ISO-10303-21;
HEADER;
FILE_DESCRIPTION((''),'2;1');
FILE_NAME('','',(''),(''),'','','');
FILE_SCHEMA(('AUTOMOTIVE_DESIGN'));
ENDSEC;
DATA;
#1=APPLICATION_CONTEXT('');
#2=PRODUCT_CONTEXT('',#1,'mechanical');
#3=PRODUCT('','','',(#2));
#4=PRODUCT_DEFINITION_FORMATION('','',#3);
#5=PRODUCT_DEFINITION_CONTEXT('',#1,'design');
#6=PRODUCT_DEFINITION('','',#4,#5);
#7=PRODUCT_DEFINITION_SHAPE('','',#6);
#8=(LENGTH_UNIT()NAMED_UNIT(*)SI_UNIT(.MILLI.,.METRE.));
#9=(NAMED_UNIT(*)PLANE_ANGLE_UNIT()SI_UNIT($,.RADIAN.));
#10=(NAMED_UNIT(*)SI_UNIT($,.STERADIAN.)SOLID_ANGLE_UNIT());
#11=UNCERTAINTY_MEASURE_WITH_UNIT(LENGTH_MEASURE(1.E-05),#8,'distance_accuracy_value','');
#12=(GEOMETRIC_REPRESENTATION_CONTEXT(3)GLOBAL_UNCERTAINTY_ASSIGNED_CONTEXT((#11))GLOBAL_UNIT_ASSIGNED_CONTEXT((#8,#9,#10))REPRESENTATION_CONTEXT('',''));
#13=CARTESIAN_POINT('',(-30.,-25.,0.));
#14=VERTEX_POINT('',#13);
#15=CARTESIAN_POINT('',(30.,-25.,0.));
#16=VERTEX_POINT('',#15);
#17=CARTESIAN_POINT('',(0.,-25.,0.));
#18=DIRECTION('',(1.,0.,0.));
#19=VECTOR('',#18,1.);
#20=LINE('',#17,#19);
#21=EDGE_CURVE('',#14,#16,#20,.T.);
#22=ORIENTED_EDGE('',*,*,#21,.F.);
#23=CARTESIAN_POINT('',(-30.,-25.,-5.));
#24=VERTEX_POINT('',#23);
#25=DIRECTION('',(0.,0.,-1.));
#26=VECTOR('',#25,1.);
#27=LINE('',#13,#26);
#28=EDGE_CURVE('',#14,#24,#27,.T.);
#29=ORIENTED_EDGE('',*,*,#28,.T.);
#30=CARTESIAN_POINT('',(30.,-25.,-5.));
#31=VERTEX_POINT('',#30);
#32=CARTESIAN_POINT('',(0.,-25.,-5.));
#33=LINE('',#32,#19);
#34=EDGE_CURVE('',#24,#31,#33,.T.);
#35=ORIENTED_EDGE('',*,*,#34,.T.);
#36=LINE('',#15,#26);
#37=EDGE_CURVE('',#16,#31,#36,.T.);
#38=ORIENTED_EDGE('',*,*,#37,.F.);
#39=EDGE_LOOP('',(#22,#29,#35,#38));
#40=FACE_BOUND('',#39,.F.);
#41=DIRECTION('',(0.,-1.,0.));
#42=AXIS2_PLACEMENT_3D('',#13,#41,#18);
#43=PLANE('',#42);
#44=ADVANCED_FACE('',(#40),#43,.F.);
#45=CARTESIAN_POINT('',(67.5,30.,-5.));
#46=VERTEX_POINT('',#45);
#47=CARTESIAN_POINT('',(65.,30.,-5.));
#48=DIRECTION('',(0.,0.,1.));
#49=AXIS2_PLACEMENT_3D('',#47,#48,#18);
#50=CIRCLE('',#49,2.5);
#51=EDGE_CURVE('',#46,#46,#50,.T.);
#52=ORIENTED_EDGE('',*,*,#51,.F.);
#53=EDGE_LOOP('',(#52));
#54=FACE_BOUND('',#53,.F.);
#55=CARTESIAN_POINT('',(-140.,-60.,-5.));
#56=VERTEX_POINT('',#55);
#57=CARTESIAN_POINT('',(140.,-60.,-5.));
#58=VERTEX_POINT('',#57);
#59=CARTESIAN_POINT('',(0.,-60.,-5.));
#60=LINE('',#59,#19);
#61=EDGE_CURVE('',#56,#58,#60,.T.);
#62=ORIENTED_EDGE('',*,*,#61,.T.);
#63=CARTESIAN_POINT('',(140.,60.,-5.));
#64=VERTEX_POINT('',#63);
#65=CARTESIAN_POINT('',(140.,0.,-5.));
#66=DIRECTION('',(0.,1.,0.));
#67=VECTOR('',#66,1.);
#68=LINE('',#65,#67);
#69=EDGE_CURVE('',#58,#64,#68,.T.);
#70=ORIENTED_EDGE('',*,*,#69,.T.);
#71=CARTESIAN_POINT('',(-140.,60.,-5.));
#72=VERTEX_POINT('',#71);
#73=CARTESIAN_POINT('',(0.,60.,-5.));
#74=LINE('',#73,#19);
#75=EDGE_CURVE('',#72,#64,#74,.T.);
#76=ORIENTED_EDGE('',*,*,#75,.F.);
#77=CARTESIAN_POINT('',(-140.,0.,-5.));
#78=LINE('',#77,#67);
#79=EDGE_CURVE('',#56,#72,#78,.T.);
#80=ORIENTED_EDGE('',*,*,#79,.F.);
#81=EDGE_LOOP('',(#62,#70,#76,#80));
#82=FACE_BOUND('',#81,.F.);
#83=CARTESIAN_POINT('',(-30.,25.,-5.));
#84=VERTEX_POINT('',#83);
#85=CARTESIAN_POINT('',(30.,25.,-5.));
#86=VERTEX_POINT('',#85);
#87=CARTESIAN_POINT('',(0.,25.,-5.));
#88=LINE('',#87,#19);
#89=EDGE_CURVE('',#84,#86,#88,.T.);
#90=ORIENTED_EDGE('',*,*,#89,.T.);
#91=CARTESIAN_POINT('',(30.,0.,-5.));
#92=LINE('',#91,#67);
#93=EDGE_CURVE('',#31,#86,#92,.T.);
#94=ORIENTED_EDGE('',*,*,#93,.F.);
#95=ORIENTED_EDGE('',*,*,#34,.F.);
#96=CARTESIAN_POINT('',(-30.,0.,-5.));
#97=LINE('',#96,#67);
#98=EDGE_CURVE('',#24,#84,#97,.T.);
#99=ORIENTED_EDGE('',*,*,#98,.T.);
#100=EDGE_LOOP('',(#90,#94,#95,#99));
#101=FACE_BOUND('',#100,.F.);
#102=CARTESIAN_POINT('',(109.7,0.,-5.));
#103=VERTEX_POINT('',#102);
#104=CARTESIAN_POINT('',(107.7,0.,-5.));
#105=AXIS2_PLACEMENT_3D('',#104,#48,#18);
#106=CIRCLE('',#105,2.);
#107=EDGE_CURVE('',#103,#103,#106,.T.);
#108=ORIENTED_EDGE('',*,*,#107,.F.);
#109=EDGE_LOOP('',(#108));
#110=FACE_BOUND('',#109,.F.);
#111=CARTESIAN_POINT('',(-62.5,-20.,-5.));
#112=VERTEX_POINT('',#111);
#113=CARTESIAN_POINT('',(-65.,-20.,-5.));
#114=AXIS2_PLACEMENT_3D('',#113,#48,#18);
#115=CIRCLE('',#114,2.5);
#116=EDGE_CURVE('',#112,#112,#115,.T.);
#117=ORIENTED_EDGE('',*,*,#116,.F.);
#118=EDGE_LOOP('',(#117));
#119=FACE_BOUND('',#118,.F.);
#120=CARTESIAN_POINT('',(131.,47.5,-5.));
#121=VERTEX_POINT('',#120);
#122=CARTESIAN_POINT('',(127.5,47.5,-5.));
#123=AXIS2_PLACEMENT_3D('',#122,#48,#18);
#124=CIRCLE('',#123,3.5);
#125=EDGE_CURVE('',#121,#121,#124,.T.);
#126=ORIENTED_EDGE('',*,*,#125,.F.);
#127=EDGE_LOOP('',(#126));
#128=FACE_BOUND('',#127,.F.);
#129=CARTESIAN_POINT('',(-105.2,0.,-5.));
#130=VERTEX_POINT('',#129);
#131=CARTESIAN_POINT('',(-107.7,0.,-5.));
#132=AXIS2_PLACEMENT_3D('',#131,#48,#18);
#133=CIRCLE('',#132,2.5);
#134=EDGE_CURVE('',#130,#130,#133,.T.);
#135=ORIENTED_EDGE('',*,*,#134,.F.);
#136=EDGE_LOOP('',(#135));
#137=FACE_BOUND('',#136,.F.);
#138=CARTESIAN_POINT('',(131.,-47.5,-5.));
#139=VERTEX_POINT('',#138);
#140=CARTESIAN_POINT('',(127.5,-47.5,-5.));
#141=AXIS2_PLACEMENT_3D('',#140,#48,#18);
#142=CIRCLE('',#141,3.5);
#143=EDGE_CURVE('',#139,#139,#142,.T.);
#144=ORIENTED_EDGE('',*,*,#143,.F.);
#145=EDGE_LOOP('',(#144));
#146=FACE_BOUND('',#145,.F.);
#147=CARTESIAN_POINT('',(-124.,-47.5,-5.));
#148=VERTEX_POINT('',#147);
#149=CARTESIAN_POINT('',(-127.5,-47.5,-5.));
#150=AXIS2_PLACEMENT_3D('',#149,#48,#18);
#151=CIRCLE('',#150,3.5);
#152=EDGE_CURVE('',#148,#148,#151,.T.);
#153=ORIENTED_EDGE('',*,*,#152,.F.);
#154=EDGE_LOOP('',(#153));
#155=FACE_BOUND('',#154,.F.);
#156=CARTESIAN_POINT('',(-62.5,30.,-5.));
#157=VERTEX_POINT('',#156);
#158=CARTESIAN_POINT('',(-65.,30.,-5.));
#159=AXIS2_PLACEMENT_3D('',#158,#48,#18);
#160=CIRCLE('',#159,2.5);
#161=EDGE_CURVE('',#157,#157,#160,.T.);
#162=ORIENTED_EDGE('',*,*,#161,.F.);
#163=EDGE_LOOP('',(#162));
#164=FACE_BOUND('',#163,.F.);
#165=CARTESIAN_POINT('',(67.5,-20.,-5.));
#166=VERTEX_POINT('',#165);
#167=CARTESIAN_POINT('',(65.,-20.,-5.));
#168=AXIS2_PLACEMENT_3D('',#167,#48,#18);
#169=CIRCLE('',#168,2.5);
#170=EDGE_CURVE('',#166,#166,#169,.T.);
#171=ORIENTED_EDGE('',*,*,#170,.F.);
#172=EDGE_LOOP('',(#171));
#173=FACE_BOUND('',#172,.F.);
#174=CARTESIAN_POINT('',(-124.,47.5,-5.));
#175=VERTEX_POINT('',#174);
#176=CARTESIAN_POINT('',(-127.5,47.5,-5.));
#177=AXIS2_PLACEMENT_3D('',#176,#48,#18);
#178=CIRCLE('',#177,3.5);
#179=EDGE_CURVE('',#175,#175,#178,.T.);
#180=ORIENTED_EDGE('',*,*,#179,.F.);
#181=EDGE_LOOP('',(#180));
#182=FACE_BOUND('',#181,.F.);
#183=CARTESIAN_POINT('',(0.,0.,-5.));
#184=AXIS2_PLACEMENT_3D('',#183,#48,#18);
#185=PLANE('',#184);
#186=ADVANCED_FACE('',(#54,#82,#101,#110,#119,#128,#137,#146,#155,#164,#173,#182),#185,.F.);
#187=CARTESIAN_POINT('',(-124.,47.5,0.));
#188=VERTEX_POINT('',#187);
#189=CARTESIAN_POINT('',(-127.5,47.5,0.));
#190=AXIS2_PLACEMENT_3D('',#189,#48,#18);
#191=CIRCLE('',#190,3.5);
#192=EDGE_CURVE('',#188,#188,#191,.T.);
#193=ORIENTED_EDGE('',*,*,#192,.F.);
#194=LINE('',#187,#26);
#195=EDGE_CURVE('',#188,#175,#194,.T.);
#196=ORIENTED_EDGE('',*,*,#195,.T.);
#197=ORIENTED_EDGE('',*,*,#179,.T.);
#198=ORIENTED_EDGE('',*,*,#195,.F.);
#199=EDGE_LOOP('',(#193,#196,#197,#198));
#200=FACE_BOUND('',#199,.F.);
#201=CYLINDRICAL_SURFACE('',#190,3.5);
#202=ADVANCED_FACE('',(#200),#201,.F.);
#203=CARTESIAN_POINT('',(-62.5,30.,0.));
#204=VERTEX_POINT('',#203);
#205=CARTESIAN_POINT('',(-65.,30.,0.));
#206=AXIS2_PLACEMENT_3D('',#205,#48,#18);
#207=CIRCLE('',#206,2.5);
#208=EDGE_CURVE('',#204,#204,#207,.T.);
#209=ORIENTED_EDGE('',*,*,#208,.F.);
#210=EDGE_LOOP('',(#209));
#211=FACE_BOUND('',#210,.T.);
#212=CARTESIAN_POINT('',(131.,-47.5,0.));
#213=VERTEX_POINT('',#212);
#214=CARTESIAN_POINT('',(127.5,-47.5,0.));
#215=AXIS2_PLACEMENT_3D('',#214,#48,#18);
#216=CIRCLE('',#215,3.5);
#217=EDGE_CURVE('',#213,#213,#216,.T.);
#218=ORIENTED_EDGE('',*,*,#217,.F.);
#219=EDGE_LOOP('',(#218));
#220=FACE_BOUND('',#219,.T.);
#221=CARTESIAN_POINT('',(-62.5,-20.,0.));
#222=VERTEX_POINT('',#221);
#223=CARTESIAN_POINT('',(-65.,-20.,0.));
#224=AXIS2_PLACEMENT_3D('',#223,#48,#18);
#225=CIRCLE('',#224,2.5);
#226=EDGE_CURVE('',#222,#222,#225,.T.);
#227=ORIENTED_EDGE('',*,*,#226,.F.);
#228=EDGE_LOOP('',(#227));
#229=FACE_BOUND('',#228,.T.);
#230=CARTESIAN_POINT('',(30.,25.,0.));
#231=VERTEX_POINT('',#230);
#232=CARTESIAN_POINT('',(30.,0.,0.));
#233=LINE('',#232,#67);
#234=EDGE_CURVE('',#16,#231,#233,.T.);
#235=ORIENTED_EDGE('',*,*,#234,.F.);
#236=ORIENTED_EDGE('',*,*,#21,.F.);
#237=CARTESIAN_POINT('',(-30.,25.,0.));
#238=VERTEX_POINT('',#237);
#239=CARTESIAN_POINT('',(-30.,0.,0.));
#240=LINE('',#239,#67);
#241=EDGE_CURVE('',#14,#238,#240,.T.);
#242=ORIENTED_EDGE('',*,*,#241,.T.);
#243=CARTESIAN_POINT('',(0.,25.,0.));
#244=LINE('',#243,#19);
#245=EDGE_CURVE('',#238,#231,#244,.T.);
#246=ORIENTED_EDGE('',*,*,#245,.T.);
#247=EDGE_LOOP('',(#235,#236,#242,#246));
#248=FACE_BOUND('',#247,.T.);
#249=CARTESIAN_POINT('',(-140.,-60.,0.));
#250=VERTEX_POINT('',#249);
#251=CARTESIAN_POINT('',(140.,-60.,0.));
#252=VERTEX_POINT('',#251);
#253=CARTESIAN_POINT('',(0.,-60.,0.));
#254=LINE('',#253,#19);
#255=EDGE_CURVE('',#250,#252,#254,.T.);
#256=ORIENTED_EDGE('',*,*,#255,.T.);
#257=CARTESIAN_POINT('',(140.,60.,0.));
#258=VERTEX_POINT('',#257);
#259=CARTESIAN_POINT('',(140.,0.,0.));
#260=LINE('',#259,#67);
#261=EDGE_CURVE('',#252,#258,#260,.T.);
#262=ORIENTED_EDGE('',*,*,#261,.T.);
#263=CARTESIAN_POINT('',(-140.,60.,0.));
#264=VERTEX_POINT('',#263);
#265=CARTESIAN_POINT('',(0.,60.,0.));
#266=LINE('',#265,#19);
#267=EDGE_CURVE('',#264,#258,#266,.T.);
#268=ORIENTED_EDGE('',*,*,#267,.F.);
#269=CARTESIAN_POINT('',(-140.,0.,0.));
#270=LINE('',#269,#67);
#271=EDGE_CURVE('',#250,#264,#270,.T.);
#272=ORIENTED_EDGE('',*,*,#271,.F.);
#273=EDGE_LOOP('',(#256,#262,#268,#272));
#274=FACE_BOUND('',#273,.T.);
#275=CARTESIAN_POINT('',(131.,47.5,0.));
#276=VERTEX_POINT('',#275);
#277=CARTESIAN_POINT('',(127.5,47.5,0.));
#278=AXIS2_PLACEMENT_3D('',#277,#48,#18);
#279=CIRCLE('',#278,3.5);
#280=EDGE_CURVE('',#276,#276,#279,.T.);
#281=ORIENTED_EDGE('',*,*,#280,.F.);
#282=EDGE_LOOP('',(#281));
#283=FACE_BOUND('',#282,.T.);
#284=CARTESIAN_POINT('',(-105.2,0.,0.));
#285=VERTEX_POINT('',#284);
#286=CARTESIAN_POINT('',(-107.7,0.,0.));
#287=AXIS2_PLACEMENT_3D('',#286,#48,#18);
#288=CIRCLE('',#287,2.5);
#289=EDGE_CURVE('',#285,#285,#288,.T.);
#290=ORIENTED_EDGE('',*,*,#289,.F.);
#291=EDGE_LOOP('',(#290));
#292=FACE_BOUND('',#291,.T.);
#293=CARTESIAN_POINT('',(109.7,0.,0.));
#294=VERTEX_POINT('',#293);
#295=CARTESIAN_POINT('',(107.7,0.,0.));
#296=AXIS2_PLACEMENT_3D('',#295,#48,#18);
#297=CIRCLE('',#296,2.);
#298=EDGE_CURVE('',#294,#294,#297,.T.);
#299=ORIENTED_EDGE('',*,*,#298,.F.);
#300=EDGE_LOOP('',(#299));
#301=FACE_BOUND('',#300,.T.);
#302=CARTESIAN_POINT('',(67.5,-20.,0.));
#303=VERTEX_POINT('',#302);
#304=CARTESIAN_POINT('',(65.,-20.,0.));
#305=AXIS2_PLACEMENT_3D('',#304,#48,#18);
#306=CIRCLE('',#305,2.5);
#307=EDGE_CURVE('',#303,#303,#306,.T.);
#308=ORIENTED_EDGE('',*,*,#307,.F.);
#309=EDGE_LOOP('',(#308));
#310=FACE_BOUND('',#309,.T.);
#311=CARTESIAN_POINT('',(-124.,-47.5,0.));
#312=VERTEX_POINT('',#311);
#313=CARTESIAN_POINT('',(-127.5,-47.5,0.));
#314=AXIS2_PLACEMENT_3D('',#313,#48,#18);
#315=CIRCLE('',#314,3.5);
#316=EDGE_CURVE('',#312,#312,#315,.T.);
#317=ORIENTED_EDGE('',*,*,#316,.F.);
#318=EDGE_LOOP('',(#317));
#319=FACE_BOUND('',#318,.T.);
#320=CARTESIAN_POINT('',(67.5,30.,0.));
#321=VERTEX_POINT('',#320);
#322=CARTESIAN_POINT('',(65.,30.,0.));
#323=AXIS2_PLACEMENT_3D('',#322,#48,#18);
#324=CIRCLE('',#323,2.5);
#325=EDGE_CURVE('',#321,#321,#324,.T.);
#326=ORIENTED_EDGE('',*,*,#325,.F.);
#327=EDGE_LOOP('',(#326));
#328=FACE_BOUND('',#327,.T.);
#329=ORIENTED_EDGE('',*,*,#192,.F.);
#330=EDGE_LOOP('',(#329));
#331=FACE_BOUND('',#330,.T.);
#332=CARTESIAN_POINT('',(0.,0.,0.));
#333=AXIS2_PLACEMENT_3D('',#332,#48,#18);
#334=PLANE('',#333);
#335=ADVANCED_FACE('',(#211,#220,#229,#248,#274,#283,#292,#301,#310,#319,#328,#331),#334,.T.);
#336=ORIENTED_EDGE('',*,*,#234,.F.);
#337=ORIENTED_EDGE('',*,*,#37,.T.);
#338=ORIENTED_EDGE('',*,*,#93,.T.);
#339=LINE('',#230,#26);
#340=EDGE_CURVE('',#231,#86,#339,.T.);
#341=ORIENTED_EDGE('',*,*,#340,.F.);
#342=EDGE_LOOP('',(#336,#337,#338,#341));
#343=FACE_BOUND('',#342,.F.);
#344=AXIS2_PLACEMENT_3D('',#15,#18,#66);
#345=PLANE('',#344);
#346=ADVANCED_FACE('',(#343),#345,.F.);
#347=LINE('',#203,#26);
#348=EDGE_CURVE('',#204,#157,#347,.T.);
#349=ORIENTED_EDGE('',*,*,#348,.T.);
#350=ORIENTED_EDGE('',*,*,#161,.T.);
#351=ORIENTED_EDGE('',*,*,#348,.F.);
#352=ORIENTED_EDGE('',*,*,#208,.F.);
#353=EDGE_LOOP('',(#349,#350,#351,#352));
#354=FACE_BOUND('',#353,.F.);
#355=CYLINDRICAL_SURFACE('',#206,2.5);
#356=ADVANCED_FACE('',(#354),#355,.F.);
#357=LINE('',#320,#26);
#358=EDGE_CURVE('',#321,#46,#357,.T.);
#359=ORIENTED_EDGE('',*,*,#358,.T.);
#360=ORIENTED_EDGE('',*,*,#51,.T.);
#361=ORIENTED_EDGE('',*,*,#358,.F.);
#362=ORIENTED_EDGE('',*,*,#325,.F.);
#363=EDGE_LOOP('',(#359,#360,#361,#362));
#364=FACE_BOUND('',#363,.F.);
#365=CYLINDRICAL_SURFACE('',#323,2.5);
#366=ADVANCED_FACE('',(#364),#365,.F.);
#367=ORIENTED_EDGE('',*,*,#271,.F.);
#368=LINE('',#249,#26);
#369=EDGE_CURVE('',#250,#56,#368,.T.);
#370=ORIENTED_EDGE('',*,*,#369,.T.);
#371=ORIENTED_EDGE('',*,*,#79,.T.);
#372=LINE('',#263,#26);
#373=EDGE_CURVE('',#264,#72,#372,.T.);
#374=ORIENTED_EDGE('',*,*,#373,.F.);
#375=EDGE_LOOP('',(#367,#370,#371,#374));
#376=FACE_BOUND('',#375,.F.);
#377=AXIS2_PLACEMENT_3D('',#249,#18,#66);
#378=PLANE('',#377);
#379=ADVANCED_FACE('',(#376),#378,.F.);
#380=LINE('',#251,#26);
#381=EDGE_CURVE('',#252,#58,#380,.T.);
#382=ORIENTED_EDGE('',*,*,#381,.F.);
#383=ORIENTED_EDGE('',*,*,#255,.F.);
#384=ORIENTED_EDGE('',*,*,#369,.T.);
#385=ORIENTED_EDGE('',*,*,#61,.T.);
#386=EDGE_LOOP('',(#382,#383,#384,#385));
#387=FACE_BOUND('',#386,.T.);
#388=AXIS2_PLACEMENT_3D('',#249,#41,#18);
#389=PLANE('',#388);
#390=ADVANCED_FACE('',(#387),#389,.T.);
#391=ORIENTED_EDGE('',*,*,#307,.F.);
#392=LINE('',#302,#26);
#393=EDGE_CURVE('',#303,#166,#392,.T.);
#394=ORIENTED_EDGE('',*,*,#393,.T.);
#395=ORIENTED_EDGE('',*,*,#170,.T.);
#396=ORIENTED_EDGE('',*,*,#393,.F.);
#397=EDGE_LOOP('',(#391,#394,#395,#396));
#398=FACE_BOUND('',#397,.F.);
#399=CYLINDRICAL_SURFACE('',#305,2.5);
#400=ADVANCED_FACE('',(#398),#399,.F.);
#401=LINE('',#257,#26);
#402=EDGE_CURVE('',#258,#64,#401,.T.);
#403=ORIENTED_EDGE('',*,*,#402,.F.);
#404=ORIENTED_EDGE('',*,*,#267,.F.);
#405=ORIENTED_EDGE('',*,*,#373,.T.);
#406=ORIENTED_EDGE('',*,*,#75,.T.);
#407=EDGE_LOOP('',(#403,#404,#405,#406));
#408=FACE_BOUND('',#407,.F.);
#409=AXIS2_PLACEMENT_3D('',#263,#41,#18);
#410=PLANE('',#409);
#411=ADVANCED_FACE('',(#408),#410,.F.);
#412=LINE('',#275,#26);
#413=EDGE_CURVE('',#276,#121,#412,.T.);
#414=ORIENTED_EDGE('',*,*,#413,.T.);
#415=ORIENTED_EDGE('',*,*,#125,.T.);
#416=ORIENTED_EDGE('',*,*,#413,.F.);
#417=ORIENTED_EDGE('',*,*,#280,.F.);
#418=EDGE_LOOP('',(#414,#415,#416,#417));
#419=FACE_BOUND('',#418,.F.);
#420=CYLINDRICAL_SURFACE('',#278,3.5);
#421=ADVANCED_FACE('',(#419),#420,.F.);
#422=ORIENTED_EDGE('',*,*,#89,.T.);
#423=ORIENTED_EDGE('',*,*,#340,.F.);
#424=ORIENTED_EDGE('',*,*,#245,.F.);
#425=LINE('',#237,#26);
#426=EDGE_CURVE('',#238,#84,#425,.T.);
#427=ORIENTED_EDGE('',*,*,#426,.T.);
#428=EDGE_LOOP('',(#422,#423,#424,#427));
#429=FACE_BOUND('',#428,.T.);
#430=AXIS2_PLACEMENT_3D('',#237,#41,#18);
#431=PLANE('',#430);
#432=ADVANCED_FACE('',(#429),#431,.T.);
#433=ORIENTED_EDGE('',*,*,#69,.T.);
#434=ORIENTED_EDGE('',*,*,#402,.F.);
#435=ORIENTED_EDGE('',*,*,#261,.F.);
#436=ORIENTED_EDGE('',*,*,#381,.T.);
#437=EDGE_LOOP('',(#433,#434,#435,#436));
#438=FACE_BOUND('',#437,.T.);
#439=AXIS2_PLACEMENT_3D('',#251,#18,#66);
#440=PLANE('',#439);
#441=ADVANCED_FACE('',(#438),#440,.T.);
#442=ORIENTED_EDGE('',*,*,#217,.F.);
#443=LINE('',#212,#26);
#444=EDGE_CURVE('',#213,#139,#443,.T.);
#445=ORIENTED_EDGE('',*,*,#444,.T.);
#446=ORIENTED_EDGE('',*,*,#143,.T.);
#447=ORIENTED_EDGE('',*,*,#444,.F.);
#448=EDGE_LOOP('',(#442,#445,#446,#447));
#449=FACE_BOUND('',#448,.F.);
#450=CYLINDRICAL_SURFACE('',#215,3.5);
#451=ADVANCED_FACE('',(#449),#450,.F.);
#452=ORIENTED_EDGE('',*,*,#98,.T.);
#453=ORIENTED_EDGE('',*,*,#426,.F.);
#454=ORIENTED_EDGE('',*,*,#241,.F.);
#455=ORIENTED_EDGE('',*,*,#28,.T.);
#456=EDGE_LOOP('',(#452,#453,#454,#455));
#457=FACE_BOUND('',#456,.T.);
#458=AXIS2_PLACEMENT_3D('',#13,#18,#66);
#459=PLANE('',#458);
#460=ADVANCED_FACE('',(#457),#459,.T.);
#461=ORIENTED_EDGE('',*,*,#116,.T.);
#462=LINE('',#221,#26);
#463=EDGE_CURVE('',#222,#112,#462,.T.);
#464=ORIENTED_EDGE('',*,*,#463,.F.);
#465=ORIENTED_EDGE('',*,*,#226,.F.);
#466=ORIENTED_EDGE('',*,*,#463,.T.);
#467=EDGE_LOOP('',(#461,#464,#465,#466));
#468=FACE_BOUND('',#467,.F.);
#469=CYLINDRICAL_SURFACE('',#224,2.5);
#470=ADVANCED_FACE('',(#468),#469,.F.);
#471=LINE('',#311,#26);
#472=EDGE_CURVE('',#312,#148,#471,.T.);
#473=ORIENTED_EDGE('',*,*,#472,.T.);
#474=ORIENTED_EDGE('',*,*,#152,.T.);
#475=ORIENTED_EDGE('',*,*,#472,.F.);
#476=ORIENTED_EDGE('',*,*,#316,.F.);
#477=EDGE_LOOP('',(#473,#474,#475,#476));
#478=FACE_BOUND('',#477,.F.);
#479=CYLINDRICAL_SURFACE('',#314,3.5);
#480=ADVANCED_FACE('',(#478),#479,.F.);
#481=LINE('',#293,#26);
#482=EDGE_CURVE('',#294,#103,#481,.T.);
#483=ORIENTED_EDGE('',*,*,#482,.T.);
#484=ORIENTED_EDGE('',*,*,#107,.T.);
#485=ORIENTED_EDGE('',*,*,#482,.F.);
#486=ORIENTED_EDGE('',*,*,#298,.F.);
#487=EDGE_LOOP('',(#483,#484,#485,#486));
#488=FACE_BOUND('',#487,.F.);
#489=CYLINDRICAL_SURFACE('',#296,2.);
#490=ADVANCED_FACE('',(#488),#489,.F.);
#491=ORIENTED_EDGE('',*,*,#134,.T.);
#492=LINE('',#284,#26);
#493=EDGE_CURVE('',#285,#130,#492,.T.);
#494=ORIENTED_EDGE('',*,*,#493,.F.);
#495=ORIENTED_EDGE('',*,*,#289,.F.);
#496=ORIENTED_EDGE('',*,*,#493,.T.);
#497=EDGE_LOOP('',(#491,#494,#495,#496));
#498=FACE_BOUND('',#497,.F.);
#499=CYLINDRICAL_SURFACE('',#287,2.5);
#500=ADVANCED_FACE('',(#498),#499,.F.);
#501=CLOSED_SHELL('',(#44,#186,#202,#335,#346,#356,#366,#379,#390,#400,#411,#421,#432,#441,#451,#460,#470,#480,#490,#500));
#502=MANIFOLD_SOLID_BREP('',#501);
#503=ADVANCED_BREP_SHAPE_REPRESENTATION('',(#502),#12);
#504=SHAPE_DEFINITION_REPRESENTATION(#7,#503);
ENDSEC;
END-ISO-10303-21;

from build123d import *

# Parameters (mm, degrees)
F0_W     = 280
F0_H     = 120
F0_R     = 3.5
F0_R_2   = 2.5
F0_W_2   = 60
F0_H_2   = 50
F0_R_3   = 2
F1_DEPTH = 5


with BuildPart() as f1:
    # F0 (on Top) → F1 (new body)
    with BuildSketch(Plane.XY):
        Rectangle(F0_W, F0_H)
        with Locations((-127.5, -47.5)):
            Circle(F0_R, mode=Mode.SUBTRACT)
        with Locations((-65, -20)):
            Circle(F0_R_2, mode=Mode.SUBTRACT)
        with Locations((127.5, -47.5)):
            Circle(F0_R, mode=Mode.SUBTRACT)
        with Locations((65, -20)):
            Circle(F0_R_2, mode=Mode.SUBTRACT)
        with Locations((-107.7, 0)):
            Circle(F0_R_2, mode=Mode.SUBTRACT)
        with Locations((-127.5, 47.5)):
            Circle(F0_R, mode=Mode.SUBTRACT)
        with Locations((-65, 30)):
            Circle(F0_R_2, mode=Mode.SUBTRACT)
        Rectangle(F0_W_2, F0_H_2, mode=Mode.SUBTRACT)
        with Locations((107.7, 0)):
            Circle(F0_R_3, mode=Mode.SUBTRACT)
        with Locations((65, 30)):
            Circle(F0_R_2, mode=Mode.SUBTRACT)
        with Locations((127.5, 47.5)):
            Circle(F0_R, mode=Mode.SUBTRACT)
    extrude(amount=-F1_DEPTH)


solid = f1.part
